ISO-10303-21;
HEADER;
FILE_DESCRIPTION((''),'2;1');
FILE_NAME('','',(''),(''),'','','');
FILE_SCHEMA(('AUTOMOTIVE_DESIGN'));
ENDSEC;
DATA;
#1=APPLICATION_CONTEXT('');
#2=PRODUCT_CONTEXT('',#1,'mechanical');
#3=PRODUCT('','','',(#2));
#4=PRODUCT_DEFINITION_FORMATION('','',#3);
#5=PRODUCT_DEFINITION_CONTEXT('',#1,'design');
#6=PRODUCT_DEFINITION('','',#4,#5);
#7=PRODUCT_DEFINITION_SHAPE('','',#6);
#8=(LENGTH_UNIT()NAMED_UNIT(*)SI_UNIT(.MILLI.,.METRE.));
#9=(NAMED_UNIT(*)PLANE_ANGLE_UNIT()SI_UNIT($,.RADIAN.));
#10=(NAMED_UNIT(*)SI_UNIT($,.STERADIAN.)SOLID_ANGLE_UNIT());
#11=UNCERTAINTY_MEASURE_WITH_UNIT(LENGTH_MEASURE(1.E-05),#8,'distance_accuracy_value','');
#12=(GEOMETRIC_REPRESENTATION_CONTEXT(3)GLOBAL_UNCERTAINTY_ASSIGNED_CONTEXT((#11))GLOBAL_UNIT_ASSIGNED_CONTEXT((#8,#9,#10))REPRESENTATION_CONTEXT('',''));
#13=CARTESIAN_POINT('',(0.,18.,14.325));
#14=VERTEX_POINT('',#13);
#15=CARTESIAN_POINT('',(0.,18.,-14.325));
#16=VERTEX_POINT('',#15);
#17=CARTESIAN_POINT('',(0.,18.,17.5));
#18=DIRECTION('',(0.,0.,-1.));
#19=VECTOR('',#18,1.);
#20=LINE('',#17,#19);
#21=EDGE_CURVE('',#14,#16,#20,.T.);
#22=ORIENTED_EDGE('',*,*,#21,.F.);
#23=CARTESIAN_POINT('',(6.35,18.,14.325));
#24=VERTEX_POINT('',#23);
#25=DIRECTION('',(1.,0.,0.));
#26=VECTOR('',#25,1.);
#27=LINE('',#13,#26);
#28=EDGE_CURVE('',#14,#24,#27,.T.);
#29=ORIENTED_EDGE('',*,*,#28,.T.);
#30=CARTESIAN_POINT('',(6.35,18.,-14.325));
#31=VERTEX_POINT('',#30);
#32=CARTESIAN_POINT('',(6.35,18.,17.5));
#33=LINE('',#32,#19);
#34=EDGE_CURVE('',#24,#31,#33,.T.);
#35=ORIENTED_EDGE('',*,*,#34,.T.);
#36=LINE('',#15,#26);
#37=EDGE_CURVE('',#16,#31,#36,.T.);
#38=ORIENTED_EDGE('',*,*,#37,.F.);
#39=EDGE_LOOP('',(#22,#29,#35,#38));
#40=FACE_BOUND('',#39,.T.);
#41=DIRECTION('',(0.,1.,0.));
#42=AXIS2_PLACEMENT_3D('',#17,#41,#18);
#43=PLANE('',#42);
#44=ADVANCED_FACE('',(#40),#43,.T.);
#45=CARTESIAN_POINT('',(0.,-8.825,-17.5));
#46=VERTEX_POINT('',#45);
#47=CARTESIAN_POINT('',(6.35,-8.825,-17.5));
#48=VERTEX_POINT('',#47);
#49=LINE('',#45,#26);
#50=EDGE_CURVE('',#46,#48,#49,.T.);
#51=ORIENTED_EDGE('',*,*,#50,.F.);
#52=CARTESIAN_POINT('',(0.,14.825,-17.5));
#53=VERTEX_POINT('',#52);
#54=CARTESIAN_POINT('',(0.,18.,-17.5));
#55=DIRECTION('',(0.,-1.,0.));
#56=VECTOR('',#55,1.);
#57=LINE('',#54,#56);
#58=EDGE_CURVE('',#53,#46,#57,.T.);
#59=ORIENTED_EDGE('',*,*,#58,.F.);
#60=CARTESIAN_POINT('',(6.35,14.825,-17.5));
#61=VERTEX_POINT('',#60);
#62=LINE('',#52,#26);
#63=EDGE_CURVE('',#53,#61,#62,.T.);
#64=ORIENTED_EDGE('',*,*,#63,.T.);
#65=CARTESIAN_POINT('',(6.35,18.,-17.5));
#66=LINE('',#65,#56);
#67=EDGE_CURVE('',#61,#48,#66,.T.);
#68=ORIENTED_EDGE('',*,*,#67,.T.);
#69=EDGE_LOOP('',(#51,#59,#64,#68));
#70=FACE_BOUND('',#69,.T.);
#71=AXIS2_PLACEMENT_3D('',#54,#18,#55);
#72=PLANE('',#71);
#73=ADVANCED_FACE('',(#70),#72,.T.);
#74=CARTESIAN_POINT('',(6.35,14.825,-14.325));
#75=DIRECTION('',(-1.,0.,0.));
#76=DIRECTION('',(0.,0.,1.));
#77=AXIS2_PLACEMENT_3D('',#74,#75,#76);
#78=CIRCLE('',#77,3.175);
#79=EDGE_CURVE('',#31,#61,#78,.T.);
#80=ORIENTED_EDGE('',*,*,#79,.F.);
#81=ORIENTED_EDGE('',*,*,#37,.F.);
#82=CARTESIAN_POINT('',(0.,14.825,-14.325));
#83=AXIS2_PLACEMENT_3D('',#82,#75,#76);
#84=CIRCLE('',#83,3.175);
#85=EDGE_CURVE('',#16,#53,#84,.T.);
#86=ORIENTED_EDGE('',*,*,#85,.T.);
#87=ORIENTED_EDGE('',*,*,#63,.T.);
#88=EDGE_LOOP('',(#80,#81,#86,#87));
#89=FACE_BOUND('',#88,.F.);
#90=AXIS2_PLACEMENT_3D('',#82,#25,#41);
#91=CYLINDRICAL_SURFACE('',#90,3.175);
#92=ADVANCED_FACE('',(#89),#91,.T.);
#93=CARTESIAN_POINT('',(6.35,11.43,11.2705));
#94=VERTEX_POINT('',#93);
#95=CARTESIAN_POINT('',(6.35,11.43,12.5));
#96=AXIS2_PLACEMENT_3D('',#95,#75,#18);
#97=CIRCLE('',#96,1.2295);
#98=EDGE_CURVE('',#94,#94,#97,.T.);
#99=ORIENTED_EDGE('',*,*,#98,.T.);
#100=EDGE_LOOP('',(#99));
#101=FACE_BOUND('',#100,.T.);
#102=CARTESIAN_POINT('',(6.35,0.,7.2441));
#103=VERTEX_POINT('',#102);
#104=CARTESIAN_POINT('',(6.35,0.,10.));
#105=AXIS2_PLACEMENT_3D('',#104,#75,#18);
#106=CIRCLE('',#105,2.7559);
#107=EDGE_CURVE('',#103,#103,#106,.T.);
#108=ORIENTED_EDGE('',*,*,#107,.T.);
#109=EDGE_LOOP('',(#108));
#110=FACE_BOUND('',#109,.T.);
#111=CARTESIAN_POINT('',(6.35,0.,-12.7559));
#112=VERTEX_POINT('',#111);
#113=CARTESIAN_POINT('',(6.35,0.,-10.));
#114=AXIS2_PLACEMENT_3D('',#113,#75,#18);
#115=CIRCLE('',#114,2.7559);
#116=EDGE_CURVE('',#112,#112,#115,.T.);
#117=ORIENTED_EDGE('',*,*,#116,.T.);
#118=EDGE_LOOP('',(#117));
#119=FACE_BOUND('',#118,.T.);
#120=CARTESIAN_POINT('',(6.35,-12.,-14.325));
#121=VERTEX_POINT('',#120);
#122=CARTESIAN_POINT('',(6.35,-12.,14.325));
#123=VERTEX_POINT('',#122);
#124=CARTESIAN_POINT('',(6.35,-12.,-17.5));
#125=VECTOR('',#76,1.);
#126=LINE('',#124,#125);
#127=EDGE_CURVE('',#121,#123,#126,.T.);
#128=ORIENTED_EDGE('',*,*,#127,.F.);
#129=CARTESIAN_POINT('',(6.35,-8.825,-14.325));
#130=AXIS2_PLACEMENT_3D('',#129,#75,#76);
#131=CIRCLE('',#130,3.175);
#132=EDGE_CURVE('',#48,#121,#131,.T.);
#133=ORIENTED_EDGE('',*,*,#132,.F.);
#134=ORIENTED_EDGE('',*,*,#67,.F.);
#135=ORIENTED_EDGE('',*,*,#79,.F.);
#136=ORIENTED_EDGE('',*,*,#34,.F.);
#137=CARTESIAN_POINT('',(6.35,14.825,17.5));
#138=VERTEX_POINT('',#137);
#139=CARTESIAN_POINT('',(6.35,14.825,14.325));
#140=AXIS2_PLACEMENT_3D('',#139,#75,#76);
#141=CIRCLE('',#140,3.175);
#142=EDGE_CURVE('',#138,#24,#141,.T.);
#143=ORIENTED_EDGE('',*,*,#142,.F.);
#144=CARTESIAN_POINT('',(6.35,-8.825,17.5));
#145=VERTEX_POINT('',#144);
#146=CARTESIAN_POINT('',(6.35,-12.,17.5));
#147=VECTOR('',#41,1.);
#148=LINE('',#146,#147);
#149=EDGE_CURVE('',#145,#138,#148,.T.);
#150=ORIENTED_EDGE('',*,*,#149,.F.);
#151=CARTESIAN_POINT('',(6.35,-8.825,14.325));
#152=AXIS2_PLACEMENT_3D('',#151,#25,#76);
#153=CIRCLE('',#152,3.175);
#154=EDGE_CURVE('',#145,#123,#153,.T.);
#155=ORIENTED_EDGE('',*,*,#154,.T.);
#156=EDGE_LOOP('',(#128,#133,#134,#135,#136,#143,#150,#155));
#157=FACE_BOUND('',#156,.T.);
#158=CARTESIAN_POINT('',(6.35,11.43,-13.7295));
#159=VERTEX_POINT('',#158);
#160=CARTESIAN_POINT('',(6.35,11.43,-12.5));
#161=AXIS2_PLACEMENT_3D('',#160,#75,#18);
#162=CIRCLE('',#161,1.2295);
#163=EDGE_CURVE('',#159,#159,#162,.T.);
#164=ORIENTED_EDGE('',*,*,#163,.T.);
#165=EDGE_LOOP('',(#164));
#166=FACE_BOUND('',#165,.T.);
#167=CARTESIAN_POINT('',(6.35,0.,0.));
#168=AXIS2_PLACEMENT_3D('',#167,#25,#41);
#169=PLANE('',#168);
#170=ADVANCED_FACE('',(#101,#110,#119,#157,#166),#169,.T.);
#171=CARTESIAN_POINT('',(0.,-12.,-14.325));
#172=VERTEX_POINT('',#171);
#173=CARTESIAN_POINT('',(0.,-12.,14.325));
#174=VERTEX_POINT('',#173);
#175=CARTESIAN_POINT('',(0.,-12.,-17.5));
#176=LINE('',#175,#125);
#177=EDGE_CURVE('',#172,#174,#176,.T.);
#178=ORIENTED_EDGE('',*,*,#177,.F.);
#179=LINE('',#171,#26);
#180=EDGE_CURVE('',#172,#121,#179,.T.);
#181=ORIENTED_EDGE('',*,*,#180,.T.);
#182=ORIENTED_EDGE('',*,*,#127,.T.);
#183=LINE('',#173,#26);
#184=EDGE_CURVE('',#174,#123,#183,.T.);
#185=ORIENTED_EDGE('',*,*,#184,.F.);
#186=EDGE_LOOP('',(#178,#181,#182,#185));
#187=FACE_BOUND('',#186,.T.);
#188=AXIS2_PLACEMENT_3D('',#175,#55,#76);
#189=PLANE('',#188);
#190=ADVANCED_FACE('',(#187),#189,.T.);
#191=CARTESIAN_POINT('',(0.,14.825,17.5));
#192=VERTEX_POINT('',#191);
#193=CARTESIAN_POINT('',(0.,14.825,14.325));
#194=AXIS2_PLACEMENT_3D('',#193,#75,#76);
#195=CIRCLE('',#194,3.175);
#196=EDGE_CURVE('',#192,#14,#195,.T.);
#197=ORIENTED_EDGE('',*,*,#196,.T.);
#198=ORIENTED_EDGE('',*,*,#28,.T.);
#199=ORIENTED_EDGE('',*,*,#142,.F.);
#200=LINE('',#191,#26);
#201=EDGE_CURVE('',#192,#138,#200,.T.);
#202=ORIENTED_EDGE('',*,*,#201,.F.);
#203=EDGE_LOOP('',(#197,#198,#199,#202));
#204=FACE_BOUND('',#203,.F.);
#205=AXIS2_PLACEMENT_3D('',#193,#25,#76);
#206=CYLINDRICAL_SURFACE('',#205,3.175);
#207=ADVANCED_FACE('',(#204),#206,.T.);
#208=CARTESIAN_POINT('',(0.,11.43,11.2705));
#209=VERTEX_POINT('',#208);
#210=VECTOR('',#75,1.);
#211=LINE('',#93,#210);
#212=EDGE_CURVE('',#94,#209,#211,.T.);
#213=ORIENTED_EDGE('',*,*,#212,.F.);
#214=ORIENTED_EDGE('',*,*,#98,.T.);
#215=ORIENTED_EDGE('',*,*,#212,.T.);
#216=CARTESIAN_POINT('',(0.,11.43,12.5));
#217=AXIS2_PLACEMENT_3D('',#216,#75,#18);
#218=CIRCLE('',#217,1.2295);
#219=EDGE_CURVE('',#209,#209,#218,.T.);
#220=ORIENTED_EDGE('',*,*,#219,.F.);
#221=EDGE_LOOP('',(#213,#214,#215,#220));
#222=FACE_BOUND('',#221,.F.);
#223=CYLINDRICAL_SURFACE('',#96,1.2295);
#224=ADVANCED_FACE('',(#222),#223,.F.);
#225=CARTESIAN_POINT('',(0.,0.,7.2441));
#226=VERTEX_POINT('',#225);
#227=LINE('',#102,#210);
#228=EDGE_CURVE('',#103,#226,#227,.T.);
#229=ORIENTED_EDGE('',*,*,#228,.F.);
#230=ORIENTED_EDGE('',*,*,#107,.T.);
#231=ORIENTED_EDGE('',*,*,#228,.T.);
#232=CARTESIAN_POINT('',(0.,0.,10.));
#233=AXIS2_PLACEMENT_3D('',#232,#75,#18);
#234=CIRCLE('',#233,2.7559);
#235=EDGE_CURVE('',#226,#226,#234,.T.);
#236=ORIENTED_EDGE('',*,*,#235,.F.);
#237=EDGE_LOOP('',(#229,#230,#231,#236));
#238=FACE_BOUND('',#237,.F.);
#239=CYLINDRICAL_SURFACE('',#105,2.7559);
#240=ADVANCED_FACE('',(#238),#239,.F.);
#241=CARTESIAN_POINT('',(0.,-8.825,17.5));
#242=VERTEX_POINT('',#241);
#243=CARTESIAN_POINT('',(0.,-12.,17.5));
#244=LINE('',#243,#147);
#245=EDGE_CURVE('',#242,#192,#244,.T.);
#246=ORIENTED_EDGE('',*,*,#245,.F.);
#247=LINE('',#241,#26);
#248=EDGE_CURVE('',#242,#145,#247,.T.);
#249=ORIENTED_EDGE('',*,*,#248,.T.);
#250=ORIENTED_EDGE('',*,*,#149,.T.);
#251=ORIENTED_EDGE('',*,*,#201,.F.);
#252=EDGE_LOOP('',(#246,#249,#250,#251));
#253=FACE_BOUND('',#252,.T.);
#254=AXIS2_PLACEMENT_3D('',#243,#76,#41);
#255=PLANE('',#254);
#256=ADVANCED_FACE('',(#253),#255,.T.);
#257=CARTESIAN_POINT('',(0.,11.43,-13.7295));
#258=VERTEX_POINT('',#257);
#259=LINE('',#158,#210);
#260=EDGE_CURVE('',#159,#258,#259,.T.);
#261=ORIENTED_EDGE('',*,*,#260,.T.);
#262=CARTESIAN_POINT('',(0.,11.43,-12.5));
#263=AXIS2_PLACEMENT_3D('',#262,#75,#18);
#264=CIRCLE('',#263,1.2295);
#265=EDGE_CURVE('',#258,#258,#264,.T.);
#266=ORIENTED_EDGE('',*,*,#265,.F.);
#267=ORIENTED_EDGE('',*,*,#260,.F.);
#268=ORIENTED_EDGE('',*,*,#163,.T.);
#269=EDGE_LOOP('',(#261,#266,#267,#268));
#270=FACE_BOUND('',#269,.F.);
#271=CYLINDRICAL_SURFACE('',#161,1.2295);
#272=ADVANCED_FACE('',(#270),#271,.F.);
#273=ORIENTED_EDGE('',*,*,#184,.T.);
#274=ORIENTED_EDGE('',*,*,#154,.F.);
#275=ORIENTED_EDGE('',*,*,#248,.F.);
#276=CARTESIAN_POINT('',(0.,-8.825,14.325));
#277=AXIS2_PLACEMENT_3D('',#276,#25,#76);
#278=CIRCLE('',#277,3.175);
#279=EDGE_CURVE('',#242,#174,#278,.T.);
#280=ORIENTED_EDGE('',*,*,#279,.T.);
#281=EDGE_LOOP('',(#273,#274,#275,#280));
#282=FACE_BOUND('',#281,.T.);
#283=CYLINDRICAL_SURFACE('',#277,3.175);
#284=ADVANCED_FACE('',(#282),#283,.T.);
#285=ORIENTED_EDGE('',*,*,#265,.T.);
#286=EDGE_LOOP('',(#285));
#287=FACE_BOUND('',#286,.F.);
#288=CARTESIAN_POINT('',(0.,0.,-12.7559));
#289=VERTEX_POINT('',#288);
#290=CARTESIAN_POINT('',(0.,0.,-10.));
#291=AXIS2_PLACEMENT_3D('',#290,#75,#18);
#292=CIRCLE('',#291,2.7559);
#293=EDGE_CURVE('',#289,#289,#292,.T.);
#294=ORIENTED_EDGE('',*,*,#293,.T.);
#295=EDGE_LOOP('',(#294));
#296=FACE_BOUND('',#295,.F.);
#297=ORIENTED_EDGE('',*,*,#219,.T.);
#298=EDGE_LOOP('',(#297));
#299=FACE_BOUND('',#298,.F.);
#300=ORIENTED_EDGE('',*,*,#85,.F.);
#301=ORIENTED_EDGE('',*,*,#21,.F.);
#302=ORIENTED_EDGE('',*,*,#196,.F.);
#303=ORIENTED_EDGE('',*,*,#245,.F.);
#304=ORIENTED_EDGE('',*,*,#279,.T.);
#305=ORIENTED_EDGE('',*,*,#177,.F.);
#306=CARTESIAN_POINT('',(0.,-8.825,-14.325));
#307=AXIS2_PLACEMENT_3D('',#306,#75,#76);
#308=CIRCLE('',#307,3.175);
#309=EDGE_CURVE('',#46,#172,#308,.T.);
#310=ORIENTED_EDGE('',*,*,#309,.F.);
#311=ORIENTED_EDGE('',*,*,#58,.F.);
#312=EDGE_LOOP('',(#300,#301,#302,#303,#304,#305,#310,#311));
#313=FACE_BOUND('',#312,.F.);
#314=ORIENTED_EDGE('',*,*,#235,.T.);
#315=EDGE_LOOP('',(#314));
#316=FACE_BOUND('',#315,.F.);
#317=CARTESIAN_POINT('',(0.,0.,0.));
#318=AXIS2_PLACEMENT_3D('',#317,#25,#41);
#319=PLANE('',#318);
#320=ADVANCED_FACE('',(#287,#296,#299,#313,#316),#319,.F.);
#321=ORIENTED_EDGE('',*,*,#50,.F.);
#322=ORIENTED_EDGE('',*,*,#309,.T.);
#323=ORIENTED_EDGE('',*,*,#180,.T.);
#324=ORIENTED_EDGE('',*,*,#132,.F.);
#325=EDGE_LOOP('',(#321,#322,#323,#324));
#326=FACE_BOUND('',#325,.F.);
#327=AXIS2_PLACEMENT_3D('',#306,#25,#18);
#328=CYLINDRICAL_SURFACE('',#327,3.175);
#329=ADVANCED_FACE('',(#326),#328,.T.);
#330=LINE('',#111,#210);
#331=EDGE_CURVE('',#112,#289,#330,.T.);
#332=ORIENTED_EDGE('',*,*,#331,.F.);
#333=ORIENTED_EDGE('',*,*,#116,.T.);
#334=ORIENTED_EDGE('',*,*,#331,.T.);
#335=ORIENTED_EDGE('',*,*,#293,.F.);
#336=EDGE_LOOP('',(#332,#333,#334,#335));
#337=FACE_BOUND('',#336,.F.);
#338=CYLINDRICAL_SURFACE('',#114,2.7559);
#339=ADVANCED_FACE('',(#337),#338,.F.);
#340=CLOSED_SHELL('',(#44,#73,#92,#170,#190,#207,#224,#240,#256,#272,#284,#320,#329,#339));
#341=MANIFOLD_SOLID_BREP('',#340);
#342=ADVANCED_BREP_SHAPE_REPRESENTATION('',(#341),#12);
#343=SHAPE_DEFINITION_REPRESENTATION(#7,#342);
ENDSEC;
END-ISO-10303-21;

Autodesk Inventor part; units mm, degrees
ref_plane "YZ Plane" through (0, 0, 0) normal (1, 0, 0) x (0, 1, 0)
ref_plane "XZ Plane" through (0, 0, 0) normal (0, 1, 0) x (-1, 0, 0)
ref_plane "XY Plane" through (0, 0, 0) normal (0, 0, 1) x (1, 0, 0)
sketch "Sketch1" plane through (0, 0, 0) normal (1, 0, 0) x (0, 1, 0)
  line L0 (-12, 17.5) -> (18, 17.5)
  line L1 (18, 17.5) -> (18, -17.5)
  line L2 (18, -17.5) -> (-12, -17.5)
  line L3 (-12, -17.5) -> (-12, 17.5)
  point P0 (0, 0)
  dimension "d0" = 35
  dimension "d1" = 30
  dimension "d3" = 17.5
  dimension "d7" = 18
extrude "Extrusion1" add sketch "Sketch1" along normal blind 6.35
fillet "Fillet1" radius 3.175 4 edges at (3.175, -12, -17.5) (3.175, -12, 17.5) (3.175, 18, 17.5) (3.175, 18, -17.5)
sketch "Sketch2" plane through (6.35, 0, 0) normal (1, 0, 0) x (0, 0, -1)
  point P0 (0, 0)
  point P1 (-10, 0)
  point P2 (10, 0)
  dimension "d15" = 20
  dimension "d16" = 10
hole "Hole1" at (6.35, 0, 10) at (6.35, 0, -10) direction (-1, 0, 0) diameter 5.5118 end through all clearance for "Hex Head Bolt" size "M5" standard "Ansi Metric M Profile"
sketch "Sketch3" plane through (6.35, 0, 0) normal (1, 0, 0) x (0, 0, -1)
  point P0 (0, 0)
  point P1 (-12.5, 11.43)
  point P2 (12.5, 11.43)
  dimension "d17" = 25
  dimension "d18" = 12.5
  dimension "d19" = 11.43
hole "Hole2" at (6.35, 11.43, 12.5) at (6.35, 11.43, -12.5) direction (-1, 0, 0) diameter 2.459 end through all thread size "M3x0.5" class "6H" standard "ANSI Metric M Profile"
equation "\"d3\" = 0.5 * d0"
equation "\"d16\" = 0.5 * d15"
equation "\"d18\" = 0.5 * d17"
properties material "ABS, BLACK"
